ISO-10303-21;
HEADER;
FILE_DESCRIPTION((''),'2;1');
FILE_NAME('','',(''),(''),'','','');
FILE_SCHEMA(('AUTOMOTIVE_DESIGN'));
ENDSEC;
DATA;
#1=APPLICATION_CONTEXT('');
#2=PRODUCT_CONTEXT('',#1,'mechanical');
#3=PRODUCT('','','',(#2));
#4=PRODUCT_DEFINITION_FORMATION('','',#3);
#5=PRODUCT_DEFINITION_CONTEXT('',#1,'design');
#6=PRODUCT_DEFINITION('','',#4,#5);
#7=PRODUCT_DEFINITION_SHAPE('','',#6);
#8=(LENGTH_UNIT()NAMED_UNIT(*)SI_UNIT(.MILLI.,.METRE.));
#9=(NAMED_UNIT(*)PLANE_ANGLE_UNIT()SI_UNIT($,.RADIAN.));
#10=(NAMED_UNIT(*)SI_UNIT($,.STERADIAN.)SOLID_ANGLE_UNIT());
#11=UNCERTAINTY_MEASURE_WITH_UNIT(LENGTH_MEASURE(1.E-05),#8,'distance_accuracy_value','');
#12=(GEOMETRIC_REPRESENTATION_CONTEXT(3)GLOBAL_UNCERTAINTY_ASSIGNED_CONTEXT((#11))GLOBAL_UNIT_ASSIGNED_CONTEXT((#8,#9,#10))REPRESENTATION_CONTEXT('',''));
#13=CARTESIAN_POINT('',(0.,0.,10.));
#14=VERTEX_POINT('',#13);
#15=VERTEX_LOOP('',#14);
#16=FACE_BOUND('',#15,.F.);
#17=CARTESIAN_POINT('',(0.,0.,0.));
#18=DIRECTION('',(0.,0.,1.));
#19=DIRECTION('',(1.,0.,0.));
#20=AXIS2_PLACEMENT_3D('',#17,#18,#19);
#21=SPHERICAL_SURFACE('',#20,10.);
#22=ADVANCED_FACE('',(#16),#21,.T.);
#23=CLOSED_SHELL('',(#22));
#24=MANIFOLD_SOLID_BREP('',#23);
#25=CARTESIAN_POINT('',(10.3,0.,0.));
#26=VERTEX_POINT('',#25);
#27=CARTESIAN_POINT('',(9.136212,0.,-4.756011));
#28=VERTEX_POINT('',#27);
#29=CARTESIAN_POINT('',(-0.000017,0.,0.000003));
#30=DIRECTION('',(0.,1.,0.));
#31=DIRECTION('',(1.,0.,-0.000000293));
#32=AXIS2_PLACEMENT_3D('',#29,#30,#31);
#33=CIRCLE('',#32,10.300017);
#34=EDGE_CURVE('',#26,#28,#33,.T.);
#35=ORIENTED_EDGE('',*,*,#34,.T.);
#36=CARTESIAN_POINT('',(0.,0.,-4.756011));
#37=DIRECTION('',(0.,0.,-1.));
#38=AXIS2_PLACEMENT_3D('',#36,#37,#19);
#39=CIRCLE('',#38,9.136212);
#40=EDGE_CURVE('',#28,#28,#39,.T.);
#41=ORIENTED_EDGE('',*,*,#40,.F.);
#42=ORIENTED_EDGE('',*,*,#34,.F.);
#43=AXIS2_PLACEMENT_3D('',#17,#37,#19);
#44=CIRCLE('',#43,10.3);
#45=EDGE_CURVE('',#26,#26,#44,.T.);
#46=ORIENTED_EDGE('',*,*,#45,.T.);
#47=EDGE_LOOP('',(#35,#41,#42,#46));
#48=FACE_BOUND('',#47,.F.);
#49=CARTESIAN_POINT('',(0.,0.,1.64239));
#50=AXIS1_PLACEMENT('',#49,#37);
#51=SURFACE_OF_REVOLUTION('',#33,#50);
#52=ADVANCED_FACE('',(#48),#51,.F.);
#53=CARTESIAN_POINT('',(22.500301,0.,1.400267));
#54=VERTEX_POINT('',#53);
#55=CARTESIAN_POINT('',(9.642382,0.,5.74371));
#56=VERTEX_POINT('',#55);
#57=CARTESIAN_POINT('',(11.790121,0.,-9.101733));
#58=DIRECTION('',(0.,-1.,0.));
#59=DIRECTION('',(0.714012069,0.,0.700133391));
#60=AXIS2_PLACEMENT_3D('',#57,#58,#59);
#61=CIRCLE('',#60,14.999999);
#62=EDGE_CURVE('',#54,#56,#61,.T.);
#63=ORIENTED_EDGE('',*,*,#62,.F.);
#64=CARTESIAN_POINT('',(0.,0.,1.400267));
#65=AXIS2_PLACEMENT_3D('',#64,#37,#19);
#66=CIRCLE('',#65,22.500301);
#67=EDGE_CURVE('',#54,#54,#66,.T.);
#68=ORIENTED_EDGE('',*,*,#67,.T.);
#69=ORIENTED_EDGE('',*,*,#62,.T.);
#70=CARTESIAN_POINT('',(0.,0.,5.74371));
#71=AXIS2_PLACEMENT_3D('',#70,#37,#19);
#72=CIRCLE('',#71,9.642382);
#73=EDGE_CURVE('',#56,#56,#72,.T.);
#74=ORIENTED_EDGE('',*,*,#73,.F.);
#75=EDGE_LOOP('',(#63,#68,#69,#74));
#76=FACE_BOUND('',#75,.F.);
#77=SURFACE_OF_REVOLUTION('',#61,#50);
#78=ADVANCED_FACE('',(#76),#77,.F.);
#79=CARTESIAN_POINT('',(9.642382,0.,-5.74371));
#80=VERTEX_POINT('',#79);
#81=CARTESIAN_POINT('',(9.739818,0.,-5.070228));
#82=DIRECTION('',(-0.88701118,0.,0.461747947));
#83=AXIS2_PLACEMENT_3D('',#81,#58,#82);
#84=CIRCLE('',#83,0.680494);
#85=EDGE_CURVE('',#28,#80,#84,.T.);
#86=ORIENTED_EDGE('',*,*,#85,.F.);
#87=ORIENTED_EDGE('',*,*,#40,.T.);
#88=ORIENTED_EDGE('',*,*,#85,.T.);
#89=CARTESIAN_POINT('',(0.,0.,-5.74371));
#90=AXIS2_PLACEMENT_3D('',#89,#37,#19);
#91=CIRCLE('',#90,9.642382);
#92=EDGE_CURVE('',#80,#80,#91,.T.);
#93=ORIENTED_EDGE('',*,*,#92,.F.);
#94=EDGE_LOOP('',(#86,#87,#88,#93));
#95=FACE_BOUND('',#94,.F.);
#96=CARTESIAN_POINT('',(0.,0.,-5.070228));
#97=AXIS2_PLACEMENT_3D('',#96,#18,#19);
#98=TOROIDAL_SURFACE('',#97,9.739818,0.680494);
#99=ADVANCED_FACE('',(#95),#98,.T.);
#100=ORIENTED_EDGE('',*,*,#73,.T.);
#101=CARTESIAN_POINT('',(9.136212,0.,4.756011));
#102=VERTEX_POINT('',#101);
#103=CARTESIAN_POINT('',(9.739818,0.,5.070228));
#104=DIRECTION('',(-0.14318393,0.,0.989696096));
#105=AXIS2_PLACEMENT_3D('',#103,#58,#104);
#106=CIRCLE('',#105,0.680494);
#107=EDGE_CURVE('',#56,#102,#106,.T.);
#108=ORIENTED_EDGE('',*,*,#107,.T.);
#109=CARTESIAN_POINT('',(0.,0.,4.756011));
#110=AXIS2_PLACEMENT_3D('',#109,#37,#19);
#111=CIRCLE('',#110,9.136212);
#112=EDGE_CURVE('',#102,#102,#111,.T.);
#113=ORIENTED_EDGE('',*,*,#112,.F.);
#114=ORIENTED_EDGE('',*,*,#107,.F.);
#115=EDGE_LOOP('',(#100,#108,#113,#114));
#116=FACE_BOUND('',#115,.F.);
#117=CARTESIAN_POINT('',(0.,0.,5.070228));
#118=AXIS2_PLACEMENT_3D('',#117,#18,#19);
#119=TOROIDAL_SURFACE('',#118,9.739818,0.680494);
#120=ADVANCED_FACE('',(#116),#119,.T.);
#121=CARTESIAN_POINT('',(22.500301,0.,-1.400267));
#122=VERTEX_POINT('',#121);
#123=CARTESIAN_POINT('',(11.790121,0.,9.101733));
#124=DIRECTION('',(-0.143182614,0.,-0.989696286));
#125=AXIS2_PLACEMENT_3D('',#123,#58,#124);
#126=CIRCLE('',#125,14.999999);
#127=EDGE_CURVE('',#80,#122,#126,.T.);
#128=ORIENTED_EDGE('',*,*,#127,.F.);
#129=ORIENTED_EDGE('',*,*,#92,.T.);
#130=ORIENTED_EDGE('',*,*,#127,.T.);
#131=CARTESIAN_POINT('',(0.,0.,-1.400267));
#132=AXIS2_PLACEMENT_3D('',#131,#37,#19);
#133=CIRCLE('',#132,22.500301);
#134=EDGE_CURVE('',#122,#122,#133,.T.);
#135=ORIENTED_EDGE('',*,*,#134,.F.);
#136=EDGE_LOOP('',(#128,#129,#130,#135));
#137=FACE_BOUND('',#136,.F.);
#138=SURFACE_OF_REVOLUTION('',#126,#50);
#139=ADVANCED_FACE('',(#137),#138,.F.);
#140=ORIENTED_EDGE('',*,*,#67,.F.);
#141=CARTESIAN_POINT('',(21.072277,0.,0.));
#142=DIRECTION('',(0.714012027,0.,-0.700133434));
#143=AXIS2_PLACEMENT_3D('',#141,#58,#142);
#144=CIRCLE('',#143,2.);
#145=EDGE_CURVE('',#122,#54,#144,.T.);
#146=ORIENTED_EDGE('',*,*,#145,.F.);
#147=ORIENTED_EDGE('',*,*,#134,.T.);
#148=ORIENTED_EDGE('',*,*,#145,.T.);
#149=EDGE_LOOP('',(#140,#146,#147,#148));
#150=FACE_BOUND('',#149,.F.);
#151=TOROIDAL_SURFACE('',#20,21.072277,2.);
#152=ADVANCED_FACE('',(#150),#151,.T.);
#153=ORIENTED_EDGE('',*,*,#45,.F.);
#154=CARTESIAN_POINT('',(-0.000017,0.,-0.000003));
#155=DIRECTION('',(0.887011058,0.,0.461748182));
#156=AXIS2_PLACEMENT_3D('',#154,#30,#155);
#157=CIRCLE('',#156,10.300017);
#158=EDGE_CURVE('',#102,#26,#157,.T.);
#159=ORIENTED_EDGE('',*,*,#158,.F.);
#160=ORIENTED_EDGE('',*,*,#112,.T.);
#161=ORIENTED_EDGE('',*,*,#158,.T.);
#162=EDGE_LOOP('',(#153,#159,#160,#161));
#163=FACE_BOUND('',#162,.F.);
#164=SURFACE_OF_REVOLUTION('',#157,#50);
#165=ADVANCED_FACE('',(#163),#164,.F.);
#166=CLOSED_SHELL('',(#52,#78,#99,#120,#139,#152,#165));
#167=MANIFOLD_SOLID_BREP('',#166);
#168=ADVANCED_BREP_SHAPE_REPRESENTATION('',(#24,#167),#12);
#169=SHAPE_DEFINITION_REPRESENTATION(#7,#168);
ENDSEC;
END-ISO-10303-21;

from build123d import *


with BuildPart() as f2:
    # F0 (on Front) + F1 (on Front) → F2 (revolve)
    with BuildSketch(Plane.XZ):
        with BuildLine():
            Line((0, 10), (0, -10))
            ThreePointArc((0, -10), (10, 0), (0, 10))
        make_face()
    with BuildSketch(Plane.XZ):
        with BuildLine():
            ThreePointArc((9.136212, 4.756011), (10.004823, 2.448165), (10.3, 0))
            ThreePointArc((10.3, 0), (10.004823, -2.448165), (9.136212, -4.756011))
            ThreePointArc((9.136212, -4.756011), (9.134217, -5.380582), (9.642382, -5.74371))
            ThreePointArc((9.642382, -5.74371), (16.590665, -5.109345), (22.500301, -1.400267))
            ThreePointArc((22.500301, -1.400267), (23.072277, 0), (22.500301, 1.400267))
            ThreePointArc((22.500301, 1.400267), (16.590665, 5.109345), (9.642382, 5.74371))
            ThreePointArc((9.642382, 5.74371), (9.134217, 5.380582), (9.136212, 4.756011))
        make_face()
    revolve(axis=Axis((0, 0, 1.64239), (0, 0, -1)))


solid = f2.part
